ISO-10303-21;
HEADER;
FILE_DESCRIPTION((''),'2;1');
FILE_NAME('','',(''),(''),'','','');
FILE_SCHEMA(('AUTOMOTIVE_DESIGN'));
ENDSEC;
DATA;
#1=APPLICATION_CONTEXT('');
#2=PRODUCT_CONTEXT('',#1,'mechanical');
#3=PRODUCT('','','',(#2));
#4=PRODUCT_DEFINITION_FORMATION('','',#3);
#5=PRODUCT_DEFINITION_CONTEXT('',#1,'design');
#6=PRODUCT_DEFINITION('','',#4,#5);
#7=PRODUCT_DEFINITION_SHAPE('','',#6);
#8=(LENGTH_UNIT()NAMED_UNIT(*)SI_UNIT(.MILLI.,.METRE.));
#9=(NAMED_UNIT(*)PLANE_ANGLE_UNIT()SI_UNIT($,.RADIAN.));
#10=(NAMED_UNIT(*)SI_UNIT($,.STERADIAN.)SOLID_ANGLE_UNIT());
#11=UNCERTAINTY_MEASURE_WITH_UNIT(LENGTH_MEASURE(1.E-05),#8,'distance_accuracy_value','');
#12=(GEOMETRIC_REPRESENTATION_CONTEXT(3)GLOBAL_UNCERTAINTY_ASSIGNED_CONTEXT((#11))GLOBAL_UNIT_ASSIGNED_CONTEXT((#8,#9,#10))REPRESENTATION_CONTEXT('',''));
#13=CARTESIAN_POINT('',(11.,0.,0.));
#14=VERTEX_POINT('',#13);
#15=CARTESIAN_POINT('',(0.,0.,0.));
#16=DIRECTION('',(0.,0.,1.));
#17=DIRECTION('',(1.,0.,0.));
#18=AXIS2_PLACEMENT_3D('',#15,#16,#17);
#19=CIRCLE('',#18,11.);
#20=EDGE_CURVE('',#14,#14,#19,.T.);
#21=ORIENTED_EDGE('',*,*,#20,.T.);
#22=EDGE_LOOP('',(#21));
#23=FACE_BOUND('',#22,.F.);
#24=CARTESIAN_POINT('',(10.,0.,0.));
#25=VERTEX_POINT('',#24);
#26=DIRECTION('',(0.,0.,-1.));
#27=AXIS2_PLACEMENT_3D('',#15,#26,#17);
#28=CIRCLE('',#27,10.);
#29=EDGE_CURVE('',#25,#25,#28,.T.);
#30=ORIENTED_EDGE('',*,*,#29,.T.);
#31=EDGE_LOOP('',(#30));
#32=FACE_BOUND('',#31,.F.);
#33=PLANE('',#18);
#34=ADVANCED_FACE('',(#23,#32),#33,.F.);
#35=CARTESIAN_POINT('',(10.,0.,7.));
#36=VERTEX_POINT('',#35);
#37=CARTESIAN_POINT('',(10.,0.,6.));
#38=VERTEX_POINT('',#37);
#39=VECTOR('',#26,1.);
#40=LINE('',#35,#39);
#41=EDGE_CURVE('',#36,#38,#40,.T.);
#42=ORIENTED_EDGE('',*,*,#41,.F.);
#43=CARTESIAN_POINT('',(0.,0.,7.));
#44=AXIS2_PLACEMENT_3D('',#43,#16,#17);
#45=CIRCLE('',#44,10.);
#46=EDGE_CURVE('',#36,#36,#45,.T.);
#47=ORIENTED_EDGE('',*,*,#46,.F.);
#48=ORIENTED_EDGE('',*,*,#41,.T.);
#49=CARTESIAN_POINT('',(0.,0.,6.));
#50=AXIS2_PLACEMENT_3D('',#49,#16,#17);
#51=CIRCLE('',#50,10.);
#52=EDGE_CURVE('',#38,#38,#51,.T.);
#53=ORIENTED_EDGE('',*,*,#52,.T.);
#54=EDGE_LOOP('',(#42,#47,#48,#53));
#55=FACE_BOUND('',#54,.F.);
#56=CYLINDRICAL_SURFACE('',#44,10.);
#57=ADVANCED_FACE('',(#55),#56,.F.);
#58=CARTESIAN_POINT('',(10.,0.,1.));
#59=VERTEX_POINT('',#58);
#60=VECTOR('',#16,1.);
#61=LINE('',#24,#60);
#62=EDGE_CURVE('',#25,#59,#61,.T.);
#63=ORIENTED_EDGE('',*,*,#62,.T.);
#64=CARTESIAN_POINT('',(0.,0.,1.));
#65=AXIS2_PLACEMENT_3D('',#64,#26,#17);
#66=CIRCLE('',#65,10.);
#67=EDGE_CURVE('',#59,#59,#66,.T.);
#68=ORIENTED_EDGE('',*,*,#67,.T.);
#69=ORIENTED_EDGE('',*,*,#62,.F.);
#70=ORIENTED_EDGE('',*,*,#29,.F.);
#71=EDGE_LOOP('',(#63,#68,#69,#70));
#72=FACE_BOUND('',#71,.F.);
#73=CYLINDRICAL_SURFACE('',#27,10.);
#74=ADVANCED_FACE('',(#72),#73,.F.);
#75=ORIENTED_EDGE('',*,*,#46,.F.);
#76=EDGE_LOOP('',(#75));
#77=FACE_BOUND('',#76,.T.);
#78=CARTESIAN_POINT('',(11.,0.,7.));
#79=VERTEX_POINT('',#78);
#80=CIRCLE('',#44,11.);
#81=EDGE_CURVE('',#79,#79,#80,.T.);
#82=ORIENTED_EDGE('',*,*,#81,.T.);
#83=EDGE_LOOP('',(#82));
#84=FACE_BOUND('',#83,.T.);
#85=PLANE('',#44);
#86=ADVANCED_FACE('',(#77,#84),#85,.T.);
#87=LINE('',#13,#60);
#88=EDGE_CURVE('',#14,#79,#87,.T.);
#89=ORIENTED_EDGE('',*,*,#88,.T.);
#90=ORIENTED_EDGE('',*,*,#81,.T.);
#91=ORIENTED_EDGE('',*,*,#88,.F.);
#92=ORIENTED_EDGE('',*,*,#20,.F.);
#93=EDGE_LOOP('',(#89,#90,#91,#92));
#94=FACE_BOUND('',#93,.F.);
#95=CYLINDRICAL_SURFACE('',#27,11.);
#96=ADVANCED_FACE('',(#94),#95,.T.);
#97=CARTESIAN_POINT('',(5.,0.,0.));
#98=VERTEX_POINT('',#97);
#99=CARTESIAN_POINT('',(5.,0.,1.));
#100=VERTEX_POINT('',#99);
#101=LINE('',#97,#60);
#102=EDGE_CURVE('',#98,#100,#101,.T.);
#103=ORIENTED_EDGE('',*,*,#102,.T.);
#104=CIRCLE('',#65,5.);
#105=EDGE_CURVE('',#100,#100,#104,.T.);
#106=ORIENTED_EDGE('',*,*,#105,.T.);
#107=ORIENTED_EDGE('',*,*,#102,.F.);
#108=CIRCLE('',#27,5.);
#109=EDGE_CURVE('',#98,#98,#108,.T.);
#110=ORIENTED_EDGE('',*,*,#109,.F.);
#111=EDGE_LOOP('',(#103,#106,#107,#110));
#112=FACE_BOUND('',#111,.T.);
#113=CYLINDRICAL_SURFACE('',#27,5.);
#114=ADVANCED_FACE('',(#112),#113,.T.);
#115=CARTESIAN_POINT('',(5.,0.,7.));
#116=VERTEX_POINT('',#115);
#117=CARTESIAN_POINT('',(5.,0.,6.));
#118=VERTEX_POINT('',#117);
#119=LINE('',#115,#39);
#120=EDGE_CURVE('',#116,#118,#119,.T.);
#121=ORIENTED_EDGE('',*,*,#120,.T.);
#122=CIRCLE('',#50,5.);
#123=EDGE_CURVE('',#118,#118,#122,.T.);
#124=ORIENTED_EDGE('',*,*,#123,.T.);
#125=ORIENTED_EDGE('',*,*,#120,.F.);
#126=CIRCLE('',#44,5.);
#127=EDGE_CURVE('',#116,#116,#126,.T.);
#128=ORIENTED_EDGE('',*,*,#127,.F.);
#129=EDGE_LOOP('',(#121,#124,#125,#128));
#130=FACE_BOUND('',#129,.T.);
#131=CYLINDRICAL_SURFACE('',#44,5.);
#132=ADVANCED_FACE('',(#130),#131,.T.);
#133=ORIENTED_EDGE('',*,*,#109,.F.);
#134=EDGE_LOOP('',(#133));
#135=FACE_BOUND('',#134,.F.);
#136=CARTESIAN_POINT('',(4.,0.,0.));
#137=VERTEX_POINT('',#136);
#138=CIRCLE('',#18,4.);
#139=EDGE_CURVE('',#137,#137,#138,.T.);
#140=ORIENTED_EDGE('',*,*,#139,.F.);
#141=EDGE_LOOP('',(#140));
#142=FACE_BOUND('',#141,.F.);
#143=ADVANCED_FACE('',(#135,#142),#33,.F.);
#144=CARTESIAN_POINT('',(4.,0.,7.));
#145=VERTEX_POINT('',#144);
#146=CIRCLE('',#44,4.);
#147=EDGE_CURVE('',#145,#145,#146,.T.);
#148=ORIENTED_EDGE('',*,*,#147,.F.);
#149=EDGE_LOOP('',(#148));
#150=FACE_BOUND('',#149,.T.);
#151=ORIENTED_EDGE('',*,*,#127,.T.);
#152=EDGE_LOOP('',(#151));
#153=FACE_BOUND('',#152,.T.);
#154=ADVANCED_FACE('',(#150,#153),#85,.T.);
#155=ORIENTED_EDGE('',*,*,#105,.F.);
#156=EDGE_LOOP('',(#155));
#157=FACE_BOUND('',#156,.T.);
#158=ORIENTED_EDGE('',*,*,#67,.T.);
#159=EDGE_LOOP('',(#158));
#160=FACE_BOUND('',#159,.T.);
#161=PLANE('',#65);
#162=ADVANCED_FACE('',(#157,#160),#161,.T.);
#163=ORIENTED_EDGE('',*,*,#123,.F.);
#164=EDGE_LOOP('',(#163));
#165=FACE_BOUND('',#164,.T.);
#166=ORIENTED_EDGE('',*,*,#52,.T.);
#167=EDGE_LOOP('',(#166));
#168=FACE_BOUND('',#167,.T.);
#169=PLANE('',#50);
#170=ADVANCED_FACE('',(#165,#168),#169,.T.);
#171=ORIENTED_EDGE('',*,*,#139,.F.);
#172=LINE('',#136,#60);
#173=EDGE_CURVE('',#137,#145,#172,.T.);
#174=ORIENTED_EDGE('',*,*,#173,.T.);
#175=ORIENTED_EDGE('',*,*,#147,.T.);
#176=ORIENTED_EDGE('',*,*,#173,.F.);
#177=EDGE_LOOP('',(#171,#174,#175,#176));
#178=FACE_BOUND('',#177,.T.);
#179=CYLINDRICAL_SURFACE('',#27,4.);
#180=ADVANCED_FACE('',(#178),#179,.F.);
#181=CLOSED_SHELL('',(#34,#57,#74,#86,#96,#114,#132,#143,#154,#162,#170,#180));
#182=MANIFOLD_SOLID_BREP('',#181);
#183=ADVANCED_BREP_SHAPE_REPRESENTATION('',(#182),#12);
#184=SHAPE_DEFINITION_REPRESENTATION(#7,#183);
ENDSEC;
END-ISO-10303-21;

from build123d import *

# Parameters (mm, degrees)
SKETCH_R        = 11
SKETCH_R_2      = 4
PAD_DEPTH       = 7
SKETCH001_R     = 10
SKETCH001_R_2   = 5
POCKET_DEPTH    = 1
SKETCH003_R     = 10
SKETCH003_R_2   = 5
POCKET001_DEPTH = 1


with BuildPart() as part:
    # Sketch → Pad (new body)
    with BuildSketch(Plane.XY):
        Circle(SKETCH_R)
        Circle(SKETCH_R_2, mode=Mode.SUBTRACT)
    extrude(amount=PAD_DEPTH)

    # Sketch001 → Pocket (cut)
    with BuildSketch(Plane.XY.offset(7)):
        Circle(SKETCH001_R)
        Circle(SKETCH001_R_2, mode=Mode.SUBTRACT)
    extrude(amount=-POCKET_DEPTH, mode=Mode.SUBTRACT)

    # Sketch003 → Pocket001 (cut)
    with BuildSketch(Plane(origin=(0, 0, 0), x_dir=(1, 0, 0), z_dir=(0, 0, -1))):
        Circle(SKETCH003_R)
        Circle(SKETCH003_R_2, mode=Mode.SUBTRACT)
    extrude(amount=-POCKET001_DEPTH, mode=Mode.SUBTRACT)


solid = part.part
